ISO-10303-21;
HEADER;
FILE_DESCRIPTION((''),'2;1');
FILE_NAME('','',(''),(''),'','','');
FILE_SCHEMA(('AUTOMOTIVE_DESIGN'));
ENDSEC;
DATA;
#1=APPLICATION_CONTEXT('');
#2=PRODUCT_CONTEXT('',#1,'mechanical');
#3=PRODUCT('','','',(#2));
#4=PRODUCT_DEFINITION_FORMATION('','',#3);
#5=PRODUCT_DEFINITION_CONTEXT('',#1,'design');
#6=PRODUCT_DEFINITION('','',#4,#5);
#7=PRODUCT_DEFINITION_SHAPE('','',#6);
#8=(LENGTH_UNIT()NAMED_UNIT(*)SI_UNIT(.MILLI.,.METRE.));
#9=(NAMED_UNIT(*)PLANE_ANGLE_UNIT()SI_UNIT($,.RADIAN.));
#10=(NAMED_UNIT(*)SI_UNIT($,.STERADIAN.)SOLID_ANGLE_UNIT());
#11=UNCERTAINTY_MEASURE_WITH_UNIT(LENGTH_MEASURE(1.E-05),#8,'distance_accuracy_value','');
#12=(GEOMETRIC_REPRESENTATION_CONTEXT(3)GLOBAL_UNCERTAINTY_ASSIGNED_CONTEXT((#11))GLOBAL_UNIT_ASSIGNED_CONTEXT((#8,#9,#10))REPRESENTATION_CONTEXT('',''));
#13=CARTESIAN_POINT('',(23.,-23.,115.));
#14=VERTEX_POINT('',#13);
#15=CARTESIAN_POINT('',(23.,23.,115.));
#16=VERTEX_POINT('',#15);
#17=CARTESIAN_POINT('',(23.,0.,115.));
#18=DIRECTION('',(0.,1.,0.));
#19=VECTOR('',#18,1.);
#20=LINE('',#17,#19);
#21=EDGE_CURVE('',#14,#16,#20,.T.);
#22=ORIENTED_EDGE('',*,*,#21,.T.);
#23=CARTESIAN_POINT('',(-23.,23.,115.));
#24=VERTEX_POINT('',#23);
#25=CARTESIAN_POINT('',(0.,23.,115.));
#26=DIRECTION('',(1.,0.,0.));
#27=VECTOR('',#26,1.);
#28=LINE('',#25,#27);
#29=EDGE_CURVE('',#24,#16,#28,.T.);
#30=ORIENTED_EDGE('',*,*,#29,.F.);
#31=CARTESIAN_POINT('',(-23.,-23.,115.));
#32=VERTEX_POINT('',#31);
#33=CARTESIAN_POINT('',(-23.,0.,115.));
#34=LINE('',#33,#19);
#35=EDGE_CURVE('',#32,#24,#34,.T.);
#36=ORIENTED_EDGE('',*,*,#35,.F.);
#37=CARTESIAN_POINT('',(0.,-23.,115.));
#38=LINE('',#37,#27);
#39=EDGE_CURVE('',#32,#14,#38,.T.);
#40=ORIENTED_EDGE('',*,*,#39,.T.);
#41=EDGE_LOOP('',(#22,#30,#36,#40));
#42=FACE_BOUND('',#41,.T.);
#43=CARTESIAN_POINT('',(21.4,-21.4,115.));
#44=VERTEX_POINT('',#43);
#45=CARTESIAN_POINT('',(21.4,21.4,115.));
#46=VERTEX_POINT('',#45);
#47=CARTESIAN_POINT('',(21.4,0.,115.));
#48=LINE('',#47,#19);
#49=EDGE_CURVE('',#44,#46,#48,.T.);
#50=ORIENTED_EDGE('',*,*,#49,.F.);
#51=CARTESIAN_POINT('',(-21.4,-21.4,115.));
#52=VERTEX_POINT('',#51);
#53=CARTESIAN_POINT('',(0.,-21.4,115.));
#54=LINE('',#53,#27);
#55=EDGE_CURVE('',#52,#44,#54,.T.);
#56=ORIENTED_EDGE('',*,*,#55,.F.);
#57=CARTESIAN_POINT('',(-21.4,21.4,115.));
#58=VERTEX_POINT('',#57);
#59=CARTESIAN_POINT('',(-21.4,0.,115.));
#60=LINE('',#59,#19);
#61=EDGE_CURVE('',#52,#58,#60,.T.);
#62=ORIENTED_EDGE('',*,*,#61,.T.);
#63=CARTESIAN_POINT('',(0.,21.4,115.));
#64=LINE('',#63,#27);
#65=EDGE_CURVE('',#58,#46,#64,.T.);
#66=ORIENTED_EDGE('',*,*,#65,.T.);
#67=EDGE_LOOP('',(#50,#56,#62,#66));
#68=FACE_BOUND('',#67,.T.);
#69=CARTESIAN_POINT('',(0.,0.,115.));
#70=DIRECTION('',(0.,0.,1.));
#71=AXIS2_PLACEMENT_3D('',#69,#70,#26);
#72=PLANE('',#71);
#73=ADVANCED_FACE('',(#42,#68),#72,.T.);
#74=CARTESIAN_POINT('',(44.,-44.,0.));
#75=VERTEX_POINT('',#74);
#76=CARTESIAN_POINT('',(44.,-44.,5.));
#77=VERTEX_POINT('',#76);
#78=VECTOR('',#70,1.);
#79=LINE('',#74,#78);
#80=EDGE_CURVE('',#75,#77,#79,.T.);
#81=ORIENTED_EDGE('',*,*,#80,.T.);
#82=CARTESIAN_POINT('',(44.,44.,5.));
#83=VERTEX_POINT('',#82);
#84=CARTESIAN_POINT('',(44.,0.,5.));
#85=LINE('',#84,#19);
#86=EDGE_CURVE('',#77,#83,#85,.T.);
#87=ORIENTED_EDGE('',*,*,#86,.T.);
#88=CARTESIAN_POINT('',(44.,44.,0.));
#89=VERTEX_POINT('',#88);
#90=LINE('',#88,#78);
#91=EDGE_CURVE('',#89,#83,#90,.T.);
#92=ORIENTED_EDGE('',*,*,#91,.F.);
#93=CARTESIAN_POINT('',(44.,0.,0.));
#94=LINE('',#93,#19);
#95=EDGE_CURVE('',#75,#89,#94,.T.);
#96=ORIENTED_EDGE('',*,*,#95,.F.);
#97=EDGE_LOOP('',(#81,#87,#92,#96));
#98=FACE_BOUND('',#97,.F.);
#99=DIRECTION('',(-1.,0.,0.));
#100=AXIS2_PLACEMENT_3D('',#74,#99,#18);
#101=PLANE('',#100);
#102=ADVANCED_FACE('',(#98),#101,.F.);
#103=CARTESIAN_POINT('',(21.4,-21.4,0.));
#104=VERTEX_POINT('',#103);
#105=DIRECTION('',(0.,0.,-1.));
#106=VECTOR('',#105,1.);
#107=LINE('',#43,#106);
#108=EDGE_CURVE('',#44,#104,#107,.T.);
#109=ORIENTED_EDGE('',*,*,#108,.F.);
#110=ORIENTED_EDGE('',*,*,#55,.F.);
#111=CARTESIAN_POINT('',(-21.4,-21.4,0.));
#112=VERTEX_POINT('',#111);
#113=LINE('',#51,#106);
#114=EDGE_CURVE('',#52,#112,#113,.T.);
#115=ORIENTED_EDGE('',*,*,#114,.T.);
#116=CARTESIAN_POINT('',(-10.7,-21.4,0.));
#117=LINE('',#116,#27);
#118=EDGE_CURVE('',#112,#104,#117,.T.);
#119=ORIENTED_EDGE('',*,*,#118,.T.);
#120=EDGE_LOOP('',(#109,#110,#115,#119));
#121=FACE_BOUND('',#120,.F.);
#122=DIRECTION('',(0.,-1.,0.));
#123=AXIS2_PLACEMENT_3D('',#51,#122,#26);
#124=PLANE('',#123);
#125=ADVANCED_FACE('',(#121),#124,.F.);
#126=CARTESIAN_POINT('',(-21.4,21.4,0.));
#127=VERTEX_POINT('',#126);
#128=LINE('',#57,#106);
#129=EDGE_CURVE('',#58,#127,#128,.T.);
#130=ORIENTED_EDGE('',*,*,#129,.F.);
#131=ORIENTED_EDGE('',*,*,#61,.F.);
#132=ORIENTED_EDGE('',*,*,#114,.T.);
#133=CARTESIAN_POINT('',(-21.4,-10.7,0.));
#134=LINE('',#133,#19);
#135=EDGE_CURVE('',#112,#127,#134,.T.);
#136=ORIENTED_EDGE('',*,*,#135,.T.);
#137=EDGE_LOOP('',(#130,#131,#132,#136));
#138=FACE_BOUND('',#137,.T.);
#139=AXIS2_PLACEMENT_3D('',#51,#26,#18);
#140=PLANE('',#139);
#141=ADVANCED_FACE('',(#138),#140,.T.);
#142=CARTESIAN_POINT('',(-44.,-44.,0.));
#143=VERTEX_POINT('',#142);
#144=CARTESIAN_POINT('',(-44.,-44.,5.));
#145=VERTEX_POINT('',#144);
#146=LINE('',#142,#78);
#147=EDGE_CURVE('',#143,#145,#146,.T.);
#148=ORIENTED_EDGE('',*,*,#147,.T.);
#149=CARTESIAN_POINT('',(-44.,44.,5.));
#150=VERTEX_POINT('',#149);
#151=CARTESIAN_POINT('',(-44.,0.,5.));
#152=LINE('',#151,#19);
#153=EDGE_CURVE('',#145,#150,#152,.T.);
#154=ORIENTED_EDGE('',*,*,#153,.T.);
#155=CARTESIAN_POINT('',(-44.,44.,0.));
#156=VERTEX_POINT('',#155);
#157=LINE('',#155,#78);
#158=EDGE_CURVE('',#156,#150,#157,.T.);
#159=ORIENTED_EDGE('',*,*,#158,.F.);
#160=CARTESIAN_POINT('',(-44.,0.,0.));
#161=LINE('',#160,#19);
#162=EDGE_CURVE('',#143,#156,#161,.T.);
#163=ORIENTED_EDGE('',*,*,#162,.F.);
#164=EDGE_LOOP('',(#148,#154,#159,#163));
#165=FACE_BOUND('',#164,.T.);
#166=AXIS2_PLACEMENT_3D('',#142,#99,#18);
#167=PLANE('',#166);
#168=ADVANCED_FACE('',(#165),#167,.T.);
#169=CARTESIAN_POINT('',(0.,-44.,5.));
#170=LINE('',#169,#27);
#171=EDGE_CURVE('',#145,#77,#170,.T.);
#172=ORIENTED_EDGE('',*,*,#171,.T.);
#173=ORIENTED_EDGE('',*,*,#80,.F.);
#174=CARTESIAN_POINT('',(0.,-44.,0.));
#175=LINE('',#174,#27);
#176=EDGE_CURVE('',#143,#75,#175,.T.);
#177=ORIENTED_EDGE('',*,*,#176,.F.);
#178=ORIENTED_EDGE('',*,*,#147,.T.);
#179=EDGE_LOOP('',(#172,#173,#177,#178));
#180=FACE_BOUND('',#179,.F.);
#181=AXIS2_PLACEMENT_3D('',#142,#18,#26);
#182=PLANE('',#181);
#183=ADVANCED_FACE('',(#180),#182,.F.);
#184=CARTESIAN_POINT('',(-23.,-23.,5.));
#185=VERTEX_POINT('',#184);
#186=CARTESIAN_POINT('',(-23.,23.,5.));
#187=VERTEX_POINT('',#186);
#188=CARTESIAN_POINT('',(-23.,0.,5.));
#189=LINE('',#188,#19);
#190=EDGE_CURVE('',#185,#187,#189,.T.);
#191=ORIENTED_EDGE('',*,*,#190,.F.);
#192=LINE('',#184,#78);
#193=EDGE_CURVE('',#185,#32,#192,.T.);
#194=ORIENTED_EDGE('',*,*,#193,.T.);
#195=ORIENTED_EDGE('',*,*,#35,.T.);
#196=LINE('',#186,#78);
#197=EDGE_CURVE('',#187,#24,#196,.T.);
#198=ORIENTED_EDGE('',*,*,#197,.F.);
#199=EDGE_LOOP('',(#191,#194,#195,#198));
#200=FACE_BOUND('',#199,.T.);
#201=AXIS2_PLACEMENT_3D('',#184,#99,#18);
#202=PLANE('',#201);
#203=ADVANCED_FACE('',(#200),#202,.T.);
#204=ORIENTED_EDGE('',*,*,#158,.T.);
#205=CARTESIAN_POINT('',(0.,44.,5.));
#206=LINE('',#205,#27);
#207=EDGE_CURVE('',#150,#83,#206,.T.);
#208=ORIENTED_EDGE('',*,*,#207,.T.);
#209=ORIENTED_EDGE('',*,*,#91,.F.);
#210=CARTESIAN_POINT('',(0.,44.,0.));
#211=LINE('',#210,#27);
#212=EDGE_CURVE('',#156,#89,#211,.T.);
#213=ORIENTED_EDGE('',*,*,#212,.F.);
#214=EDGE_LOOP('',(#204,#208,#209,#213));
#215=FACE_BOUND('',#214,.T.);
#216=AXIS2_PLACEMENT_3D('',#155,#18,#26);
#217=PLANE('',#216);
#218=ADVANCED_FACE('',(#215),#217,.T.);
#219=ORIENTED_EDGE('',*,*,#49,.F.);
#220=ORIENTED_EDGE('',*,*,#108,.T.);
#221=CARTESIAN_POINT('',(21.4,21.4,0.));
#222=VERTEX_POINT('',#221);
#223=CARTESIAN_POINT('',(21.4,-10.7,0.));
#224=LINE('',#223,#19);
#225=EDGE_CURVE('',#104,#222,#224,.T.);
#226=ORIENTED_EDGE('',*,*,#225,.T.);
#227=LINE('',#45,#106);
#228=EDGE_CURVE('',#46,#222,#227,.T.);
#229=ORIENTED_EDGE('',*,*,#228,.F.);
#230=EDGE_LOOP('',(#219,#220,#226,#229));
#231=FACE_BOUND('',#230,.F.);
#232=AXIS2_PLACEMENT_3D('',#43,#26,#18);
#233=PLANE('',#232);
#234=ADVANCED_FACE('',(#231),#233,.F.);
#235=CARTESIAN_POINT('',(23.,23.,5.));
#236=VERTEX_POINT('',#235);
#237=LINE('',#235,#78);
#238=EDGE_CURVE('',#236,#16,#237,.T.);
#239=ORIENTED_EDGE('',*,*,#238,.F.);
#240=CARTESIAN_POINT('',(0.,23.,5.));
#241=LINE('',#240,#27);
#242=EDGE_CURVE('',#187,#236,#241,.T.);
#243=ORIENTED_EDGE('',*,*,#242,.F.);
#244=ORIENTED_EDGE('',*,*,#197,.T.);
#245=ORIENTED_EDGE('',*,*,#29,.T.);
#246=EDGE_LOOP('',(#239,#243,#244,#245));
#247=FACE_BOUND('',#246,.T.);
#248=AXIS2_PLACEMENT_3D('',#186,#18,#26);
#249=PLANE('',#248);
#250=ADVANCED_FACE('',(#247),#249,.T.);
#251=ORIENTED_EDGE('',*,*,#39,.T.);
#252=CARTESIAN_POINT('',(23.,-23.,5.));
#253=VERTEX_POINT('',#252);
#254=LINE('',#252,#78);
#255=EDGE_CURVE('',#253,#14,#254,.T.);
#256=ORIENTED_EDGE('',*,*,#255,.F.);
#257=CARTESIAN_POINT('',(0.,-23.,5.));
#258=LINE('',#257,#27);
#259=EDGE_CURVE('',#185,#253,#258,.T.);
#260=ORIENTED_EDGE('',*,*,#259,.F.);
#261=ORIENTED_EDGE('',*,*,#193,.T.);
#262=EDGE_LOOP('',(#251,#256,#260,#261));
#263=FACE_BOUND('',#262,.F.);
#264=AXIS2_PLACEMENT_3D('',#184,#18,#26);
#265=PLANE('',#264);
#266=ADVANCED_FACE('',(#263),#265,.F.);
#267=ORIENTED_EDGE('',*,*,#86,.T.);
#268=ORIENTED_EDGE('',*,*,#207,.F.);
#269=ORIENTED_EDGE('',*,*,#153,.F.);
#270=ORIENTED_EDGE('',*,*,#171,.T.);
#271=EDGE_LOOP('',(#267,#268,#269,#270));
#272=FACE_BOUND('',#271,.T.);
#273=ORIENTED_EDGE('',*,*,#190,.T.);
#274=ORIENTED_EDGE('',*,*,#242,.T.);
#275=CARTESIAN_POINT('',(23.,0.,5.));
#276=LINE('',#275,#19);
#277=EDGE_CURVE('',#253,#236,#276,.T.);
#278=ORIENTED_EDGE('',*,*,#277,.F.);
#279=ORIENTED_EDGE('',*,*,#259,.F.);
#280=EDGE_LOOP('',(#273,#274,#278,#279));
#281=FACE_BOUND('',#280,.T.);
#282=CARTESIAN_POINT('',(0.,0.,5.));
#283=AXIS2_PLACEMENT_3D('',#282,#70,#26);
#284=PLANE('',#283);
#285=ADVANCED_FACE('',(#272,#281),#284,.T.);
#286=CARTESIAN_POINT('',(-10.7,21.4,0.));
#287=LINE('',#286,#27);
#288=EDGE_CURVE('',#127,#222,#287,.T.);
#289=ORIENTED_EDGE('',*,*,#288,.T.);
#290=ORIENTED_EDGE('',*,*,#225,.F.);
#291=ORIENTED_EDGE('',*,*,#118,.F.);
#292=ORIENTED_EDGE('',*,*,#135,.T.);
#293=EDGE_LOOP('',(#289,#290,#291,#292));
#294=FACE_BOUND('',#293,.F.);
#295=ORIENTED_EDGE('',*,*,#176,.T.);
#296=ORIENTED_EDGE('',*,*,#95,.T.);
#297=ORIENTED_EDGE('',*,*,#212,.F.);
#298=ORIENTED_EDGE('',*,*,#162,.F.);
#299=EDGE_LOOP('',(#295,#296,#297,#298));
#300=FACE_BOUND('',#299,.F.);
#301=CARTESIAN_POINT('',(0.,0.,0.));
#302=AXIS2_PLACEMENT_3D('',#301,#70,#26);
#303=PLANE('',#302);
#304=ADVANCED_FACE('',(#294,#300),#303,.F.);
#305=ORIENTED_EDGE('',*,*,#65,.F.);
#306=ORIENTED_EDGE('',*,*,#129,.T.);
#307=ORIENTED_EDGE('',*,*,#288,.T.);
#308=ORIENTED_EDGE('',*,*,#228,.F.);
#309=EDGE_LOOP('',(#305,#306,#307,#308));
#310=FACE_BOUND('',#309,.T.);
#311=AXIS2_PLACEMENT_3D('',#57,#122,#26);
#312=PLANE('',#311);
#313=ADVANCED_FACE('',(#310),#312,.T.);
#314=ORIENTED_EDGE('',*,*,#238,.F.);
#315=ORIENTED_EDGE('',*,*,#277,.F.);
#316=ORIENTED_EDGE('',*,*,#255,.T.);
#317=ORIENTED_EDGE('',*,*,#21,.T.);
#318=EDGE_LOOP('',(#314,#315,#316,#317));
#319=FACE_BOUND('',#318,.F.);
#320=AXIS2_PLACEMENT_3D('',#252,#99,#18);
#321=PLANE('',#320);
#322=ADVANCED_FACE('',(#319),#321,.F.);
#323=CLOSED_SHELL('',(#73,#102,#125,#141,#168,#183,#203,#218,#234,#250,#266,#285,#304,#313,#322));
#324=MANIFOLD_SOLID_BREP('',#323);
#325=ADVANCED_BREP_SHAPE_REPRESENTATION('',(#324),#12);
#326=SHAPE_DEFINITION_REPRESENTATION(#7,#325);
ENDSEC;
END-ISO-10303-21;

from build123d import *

# Parameters (mm, degrees)
SKETCH_W     = 88
SKETCH_H     = 88
PAD_DEPTH    = 5
SKETCH001_W  = 46
SKETCH001_H  = 46
PAD001_DEPTH = 110
SKETCH002_W  = 42.8
SKETCH002_H  = 42.8
POCKET_DEPTH = 115.001


with BuildPart() as part:
    # Sketch → Pad (new body)
    with BuildSketch(Plane.XY):
        Rectangle(SKETCH_W, SKETCH_H)
    extrude(amount=PAD_DEPTH)

    # Sketch001 (on Face6 of Pad) → Pad001 (join)
    with BuildSketch(Plane.XY.offset(5)):
        Rectangle(SKETCH001_W, SKETCH001_H)
    extrude(amount=PAD001_DEPTH)

    # Sketch002 (on Face11 of Pad001) → Pocket (cut, through all)
    with BuildSketch(Plane.XY.offset(115)):
        Rectangle(SKETCH002_W, SKETCH002_H)
    extrude(amount=-POCKET_DEPTH, mode=Mode.SUBTRACT)


solid = part.part
